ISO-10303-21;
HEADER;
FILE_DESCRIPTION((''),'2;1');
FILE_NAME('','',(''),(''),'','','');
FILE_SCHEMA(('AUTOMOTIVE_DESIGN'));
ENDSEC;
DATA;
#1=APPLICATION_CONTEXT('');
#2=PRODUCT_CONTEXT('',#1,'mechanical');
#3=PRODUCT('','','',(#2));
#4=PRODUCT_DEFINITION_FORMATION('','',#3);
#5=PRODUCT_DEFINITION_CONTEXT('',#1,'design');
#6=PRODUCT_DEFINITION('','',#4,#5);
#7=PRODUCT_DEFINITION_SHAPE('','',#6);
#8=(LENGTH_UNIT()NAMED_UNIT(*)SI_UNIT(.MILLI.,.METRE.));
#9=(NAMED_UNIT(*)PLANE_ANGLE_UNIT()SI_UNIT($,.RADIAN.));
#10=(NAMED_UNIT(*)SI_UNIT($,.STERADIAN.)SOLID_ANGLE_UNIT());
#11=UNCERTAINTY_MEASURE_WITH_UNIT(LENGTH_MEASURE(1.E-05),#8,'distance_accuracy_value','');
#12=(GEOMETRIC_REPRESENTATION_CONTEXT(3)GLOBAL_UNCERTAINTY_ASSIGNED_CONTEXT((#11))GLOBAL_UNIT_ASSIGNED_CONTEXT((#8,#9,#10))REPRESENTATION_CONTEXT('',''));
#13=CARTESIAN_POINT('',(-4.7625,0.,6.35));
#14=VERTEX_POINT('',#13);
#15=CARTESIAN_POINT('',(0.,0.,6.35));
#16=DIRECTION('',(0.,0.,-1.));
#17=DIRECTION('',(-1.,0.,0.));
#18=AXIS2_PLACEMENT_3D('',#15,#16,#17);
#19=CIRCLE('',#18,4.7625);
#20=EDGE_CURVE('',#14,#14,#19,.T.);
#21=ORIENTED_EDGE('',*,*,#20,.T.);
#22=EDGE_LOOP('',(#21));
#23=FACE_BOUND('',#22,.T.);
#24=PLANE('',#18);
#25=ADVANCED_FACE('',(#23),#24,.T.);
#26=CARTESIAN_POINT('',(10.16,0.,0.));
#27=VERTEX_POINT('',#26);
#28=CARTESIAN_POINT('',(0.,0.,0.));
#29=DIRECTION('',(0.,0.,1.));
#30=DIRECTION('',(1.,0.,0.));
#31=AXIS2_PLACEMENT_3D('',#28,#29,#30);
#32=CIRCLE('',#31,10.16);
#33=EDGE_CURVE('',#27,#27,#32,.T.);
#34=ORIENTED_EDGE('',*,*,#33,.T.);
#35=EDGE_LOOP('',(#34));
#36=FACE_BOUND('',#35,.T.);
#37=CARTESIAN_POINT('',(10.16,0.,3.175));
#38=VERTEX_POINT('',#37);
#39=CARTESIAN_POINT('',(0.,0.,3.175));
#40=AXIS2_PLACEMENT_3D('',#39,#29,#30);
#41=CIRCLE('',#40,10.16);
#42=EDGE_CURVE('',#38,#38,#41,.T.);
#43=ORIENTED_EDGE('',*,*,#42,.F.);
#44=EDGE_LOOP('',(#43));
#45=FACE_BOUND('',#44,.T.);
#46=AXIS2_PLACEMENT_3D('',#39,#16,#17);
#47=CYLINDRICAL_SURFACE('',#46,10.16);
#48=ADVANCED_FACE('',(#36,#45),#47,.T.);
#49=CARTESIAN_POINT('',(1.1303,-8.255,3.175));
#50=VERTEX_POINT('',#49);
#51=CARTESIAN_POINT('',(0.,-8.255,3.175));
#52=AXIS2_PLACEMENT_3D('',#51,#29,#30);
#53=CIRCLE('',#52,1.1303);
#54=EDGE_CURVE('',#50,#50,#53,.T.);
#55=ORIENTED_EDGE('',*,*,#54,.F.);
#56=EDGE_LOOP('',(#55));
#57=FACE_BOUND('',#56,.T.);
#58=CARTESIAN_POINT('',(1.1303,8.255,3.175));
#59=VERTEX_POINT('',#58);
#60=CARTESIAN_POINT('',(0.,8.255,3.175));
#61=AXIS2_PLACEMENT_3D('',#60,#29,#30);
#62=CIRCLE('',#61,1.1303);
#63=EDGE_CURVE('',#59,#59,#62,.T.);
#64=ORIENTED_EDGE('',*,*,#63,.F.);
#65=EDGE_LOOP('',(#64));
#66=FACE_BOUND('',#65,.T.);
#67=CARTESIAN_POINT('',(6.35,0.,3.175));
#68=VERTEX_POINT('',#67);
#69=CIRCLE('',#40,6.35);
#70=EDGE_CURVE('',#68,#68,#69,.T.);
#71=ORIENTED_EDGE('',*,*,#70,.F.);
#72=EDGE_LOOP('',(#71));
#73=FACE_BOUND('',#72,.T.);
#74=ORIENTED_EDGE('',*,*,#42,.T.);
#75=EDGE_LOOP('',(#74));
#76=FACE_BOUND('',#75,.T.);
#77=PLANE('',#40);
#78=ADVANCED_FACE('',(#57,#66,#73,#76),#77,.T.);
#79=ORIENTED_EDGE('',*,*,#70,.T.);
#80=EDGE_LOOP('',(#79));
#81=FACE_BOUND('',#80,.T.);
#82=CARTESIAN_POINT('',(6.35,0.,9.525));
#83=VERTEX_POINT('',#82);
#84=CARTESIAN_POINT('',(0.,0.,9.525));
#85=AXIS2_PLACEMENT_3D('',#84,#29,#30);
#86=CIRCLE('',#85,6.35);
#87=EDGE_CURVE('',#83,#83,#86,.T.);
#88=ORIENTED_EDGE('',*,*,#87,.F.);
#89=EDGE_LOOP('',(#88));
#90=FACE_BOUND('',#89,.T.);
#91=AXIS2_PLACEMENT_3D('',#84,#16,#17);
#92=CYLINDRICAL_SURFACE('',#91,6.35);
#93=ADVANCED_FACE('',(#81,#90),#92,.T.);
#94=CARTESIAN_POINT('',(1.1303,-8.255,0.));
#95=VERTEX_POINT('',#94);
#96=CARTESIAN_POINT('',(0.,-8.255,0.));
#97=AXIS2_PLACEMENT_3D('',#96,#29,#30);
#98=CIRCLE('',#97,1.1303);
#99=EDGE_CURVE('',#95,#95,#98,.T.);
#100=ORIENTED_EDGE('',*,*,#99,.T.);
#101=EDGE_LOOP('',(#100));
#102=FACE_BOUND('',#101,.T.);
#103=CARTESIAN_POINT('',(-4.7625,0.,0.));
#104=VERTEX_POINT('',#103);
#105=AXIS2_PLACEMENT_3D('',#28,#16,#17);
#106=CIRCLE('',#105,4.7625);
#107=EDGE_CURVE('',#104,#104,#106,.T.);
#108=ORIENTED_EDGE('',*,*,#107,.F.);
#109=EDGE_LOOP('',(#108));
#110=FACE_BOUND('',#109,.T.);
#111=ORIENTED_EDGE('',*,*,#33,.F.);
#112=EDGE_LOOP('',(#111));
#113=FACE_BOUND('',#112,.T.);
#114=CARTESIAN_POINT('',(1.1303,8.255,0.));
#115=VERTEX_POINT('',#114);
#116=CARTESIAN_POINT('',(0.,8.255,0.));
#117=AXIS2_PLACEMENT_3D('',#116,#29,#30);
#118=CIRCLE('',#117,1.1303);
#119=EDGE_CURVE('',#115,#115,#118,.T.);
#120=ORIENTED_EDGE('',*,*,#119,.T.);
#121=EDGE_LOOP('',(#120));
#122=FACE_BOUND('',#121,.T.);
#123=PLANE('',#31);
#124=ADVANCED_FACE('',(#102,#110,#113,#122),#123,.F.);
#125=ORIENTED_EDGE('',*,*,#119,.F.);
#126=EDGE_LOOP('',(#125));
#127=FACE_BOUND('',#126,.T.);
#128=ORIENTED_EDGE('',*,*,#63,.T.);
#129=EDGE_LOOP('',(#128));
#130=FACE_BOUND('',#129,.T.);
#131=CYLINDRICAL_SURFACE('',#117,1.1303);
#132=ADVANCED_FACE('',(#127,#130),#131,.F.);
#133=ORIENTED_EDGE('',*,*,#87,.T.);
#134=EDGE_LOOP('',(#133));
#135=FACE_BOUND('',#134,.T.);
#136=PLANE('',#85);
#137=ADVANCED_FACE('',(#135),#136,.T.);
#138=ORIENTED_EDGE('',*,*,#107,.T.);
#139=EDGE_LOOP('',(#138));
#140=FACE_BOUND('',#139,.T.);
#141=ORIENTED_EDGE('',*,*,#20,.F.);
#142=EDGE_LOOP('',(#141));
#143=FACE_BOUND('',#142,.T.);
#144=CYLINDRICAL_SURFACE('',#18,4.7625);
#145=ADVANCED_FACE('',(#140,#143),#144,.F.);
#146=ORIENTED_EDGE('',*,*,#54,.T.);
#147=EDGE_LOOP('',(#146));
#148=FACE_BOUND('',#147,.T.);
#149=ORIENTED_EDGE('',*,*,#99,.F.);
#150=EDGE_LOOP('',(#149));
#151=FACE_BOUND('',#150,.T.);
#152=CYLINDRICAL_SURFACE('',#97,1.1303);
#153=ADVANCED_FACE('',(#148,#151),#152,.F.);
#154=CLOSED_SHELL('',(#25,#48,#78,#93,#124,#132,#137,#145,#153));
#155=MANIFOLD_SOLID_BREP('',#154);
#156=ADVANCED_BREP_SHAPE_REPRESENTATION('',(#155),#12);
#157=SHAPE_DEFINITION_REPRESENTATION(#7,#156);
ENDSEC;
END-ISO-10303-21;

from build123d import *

# Parameters (mm, degrees)
SKETCH1_R           = 10.16
BOSS_EXTRUDE2_DEPTH = 3.175
SKETCH4_R           = 6.35
BOSS_EXTRUDE3_DEPTH = 6.35
SKETCH5_R           = 4.7625
CUT_EXTRUDE3_DEPTH  = 6.35
SKETCH6_R           = 1.1303
CUT_EXTRUDE4_DEPTH  = 16.709032434


with BuildPart() as part:
    # Sketch1 → Boss-Extrude2 (new body)
    with BuildSketch(Plane.XY):
        Circle(SKETCH1_R)
    extrude(amount=BOSS_EXTRUDE2_DEPTH)

    # Sketch4 → Boss-Extrude3 (add)
    with BuildSketch(Plane.XY.offset(3.175)):
        Circle(SKETCH4_R)
    extrude(amount=BOSS_EXTRUDE3_DEPTH)

    # Sketch5 → Cut-Extrude3 (cut)
    with BuildSketch(Plane(origin=(0, 0, 0), x_dir=(-1, 0, 0), z_dir=(0, 0, -1))):
        Circle(SKETCH5_R)
    extrude(amount=-CUT_EXTRUDE3_DEPTH, mode=Mode.SUBTRACT)

    # Sketch6 → Cut-Extrude4 (cut, through all)
    with BuildSketch(Plane.XY.offset(3.175)):
        with Locations((0, 8.255)):
            Circle(SKETCH6_R)
        with Locations((0, -8.255)):
            Circle(SKETCH6_R)
    extrude(amount=-CUT_EXTRUDE4_DEPTH, mode=Mode.SUBTRACT)


solid = part.part
